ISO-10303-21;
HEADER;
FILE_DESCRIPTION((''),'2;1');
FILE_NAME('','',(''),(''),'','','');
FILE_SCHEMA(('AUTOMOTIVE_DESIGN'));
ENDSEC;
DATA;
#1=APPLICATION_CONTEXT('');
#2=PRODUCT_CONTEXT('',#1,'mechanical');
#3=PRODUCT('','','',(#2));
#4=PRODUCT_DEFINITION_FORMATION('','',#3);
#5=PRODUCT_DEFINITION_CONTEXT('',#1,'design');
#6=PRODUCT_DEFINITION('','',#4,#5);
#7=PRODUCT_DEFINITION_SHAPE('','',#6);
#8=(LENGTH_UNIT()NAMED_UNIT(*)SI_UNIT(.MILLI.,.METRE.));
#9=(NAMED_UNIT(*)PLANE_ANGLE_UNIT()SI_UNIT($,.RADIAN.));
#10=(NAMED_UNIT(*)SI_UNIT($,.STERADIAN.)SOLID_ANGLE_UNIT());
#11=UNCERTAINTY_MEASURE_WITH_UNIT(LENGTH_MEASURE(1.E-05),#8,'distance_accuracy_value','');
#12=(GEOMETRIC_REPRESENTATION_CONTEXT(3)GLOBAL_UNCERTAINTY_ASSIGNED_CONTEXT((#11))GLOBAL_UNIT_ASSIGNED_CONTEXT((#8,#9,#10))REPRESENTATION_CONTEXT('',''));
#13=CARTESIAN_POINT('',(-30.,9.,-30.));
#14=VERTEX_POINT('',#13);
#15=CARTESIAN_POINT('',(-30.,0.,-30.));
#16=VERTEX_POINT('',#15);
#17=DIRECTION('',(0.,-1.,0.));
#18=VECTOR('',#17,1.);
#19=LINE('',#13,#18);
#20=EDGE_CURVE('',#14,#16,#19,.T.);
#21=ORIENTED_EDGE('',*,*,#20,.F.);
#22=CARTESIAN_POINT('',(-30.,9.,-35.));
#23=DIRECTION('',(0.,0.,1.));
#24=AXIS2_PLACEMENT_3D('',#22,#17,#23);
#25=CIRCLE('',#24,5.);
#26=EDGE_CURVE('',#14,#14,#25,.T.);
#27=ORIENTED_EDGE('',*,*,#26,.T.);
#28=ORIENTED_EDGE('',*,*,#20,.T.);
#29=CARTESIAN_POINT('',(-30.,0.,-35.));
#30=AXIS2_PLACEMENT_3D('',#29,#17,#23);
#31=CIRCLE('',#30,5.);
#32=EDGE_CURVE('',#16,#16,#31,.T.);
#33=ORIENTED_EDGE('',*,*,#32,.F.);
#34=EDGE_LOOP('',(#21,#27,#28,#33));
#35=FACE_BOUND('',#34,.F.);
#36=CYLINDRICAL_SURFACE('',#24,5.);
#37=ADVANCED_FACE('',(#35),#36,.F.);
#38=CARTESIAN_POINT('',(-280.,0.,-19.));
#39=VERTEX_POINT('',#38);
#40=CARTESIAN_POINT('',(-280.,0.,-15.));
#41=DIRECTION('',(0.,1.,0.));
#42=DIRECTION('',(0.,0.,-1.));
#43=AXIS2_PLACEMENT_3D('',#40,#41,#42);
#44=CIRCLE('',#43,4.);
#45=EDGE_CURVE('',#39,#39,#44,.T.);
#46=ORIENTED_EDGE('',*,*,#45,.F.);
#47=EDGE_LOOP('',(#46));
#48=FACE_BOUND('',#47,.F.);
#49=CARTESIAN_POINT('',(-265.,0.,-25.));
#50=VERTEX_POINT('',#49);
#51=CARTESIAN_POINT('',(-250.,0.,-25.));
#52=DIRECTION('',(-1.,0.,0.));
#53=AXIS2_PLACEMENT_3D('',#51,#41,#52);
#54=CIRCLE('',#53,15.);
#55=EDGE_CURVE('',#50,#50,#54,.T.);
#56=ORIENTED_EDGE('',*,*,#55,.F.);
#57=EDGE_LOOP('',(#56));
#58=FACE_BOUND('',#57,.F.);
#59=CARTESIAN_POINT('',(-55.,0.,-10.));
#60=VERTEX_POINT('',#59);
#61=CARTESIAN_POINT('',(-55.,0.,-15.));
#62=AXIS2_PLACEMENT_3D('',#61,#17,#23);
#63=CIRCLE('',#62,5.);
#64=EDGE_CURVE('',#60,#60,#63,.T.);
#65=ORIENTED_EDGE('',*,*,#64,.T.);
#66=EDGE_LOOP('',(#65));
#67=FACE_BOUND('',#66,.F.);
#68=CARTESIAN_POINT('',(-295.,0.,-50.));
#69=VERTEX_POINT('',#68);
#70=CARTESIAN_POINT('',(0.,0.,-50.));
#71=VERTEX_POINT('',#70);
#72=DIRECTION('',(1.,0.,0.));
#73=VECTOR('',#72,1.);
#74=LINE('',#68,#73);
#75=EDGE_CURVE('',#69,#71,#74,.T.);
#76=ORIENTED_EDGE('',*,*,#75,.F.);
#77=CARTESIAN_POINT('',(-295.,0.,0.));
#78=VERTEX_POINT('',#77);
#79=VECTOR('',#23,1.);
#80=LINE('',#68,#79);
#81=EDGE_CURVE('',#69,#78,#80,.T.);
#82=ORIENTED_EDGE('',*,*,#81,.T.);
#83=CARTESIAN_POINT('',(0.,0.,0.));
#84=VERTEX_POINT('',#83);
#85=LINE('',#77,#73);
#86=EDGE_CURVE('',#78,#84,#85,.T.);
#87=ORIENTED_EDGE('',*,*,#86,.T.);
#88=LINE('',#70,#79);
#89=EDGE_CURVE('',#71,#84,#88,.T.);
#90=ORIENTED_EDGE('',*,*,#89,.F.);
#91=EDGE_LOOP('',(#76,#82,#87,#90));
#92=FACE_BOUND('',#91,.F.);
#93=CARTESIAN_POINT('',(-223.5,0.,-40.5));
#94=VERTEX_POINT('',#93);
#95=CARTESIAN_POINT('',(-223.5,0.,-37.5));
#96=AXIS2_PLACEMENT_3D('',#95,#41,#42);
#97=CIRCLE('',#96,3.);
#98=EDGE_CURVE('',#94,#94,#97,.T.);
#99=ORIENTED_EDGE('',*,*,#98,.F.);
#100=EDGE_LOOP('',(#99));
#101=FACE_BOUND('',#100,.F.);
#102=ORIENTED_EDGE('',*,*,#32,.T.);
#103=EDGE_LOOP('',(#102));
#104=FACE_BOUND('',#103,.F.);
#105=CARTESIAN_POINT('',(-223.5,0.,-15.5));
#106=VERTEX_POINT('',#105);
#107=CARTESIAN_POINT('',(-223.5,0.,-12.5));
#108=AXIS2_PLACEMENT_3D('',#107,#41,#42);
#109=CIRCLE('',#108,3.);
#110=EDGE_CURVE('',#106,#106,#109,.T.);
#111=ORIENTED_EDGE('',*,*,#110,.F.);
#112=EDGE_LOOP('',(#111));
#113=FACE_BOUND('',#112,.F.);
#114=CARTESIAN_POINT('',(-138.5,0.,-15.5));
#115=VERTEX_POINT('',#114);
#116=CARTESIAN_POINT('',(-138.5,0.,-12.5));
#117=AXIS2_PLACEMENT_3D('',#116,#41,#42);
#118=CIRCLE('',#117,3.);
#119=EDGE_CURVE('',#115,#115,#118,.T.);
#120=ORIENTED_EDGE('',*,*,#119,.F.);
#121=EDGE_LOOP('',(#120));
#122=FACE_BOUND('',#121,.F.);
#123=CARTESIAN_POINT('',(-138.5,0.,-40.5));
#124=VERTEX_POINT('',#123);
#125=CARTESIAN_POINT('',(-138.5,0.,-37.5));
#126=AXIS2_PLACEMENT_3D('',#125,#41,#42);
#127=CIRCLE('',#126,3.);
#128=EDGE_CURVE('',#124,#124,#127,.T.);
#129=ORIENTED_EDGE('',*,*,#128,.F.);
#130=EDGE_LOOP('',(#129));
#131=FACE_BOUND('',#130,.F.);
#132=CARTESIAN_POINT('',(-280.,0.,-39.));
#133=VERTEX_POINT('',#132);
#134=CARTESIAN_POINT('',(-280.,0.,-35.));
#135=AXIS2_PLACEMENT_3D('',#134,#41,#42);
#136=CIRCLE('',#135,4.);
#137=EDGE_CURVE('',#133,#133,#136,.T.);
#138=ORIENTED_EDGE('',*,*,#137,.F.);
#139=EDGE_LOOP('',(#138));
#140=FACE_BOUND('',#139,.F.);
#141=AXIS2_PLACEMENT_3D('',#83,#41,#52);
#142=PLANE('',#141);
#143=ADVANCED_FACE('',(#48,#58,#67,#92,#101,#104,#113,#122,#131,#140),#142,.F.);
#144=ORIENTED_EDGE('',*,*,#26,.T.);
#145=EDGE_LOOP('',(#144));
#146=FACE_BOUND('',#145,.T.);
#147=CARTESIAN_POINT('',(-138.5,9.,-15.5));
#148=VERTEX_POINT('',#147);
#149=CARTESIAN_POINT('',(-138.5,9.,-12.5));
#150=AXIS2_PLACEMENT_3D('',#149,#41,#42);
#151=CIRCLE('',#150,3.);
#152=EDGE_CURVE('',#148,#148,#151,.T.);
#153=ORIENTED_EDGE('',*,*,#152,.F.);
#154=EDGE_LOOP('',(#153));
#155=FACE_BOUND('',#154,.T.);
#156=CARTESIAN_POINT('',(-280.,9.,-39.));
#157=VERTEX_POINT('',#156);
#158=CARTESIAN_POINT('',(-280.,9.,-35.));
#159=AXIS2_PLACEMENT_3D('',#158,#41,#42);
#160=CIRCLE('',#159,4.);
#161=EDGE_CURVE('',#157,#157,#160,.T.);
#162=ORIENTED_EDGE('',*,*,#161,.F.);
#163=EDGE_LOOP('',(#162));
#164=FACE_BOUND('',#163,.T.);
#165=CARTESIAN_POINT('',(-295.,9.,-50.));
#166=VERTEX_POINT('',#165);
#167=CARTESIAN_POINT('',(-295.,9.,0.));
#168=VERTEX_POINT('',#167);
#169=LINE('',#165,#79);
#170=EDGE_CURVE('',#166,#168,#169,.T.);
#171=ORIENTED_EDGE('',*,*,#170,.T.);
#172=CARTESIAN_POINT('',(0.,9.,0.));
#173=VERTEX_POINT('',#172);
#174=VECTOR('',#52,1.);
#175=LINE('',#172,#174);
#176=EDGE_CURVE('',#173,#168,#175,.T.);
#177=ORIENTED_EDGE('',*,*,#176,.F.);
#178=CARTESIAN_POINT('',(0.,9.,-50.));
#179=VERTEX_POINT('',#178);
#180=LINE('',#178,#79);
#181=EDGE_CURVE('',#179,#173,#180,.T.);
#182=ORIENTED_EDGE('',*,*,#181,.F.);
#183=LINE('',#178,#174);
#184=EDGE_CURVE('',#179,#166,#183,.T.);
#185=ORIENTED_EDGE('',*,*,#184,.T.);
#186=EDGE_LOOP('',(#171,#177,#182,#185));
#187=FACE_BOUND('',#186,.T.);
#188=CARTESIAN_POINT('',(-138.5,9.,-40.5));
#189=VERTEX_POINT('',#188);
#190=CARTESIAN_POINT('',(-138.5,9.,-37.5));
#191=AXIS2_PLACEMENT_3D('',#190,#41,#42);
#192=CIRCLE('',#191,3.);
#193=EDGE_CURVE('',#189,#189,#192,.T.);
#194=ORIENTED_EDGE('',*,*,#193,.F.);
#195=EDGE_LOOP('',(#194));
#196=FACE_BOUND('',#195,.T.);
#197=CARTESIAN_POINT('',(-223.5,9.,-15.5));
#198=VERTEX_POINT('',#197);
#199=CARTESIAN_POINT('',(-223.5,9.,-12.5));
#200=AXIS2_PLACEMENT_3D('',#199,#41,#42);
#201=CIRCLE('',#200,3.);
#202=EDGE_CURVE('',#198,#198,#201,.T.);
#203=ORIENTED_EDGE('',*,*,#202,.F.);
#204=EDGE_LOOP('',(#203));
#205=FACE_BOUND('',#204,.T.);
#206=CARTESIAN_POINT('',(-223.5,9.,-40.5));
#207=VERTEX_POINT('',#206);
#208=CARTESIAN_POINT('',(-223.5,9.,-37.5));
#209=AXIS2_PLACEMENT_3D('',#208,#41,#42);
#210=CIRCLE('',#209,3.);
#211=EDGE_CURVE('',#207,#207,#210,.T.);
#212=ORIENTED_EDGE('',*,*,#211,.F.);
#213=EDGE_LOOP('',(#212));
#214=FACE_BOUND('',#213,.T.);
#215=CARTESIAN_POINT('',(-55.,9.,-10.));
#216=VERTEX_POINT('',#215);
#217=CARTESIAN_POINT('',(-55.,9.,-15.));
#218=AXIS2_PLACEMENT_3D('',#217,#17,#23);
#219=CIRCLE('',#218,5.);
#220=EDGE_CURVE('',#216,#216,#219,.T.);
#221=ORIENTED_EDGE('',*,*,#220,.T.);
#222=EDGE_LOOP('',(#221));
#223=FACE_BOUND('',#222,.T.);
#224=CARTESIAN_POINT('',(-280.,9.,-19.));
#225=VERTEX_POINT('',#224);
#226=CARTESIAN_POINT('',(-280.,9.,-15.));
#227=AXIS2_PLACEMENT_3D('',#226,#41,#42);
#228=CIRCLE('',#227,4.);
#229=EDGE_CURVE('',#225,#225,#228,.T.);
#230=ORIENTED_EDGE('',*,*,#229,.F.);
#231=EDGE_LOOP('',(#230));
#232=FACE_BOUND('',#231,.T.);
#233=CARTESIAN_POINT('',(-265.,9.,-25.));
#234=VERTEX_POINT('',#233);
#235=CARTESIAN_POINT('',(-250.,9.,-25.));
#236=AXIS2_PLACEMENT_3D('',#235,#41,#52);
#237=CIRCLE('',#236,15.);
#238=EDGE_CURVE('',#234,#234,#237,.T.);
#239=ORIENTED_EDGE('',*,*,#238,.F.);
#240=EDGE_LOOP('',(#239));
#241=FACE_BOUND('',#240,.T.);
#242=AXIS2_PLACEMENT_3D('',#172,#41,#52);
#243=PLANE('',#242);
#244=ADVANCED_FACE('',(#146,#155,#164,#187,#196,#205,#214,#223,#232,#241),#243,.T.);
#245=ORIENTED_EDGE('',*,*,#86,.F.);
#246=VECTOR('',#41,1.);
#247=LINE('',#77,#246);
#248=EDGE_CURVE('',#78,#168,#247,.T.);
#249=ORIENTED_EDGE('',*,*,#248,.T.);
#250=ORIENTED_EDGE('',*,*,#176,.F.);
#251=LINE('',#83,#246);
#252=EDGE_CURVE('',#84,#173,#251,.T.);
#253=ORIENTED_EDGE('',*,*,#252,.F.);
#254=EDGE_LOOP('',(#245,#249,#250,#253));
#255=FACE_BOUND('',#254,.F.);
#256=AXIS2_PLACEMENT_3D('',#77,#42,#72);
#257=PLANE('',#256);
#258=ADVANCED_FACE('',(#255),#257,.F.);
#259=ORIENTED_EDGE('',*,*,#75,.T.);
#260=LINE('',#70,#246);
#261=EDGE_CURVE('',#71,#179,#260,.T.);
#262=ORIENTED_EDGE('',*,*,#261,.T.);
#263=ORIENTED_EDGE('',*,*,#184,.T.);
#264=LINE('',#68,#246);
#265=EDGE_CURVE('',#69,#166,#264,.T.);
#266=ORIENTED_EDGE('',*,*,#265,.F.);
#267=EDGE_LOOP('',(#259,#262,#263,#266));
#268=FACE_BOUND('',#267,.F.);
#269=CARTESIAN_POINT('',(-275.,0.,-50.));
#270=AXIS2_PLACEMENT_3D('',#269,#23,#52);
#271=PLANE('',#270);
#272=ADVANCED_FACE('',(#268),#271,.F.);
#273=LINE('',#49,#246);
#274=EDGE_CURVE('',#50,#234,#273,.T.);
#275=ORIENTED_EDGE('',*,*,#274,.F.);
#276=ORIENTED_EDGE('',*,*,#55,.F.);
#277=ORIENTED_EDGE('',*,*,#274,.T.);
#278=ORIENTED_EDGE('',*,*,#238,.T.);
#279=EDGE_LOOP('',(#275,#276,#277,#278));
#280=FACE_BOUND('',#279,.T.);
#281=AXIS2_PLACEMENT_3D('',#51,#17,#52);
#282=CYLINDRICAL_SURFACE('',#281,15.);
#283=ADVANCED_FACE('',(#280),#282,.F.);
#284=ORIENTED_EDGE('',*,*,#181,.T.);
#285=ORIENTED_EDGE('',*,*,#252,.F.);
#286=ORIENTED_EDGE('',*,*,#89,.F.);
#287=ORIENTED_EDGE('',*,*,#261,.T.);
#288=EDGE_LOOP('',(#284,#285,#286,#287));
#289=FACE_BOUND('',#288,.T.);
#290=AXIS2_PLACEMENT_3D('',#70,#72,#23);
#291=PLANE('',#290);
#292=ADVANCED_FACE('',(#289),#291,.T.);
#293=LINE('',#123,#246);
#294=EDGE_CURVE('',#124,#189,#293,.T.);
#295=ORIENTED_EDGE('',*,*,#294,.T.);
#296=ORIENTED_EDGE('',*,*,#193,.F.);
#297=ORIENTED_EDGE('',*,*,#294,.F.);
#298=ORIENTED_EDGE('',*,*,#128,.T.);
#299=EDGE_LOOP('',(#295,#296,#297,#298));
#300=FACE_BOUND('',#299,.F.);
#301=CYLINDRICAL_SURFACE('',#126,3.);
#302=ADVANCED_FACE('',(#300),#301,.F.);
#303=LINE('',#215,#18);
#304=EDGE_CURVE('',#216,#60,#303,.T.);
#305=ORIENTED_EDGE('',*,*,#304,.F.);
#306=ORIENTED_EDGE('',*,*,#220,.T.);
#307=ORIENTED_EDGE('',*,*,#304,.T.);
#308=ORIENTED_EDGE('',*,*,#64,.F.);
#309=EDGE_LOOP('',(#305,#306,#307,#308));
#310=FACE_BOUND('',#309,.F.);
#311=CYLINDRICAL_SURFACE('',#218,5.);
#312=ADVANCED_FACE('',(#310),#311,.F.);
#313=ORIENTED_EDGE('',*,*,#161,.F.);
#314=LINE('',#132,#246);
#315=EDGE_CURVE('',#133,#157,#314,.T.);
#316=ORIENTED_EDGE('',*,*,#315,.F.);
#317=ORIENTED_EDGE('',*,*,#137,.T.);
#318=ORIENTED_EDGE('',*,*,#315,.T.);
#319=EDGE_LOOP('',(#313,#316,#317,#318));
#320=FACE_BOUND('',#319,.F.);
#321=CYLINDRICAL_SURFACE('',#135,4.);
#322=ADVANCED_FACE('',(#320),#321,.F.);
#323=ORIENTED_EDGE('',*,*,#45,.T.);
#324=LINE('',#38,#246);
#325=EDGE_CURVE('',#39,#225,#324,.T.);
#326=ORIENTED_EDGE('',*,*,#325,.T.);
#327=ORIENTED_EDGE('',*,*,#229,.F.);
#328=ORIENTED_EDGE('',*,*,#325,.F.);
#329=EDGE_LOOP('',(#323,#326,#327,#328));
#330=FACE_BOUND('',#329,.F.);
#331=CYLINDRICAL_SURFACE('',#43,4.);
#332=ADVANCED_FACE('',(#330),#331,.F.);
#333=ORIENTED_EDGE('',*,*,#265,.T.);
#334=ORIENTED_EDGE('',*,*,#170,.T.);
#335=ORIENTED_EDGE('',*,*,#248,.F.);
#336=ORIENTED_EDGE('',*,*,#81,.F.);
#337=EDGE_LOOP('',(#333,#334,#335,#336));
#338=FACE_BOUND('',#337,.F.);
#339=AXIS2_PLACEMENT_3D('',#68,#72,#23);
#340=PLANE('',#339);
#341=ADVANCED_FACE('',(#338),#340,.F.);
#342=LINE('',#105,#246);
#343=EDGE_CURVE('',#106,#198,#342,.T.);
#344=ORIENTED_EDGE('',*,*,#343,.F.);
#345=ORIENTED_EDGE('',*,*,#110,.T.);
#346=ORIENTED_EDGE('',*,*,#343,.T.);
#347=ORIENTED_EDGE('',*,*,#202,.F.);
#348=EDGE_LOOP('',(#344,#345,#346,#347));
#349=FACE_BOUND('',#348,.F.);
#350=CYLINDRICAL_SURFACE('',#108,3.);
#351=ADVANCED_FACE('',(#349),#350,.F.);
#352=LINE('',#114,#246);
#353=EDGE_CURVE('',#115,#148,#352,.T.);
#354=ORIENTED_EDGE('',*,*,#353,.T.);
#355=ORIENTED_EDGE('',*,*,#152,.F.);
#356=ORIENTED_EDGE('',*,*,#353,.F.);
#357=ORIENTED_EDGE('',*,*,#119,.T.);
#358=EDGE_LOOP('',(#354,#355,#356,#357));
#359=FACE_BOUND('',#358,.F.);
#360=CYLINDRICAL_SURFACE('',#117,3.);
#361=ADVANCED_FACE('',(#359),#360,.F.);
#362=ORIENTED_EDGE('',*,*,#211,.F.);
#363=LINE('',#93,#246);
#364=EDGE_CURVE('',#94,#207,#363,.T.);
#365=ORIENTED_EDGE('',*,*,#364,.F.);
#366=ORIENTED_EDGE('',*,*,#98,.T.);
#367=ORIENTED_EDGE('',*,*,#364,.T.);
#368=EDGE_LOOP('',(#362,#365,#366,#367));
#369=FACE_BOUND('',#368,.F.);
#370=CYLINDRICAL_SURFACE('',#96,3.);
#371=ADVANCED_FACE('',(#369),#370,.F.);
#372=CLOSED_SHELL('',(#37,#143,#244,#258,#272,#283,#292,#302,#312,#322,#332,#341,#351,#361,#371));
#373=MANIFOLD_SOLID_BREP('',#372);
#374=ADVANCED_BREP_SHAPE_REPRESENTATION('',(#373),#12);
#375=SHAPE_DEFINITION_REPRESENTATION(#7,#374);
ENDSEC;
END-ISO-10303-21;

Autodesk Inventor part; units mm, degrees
ref_plane "YZ Plane" through (0, 0, 0) normal (1, 0, 0) x (0, 1, 0)
ref_plane "XZ Plane" through (0, 0, 0) normal (0, 1, 0) x (-1, 0, 0)
ref_plane "XY Plane" through (0, 0, 0) normal (0, 0, 1) x (1, 0, 0)
sketch "Skizze1" plane through (0, 0, 0) normal (0, 1, 0) x (-1, 0, 0)
  line L0 (0, 0) -> (275, 0)
  line L1 (275, 0) -> (275, -50)
  line L2 (275, -50) -> (0, -50)
  line L3 (0, -50) -> (0, 0)
  line L4 (275, 0) -> (275, -25)
  line L5 (275, -25) -> (250, -25)
  circle A0 centre (250, -25) radius 15
  line L6 (275, -50) -> (295, -50)
  line L7 (295, -50) -> (295, 0)
  line L8 (295, 0) -> (275, 0)
  dimension "d0" = 275
  dimension "d1" = 50
  dimension "d2" = 25
  dimension "d3" = 30
  dimension "d18" = 20
extrude "Extrusion1" add sketch "Skizze1" along normal blind 9 contours L0 L1 L2 L3
sketch "Skizze2" plane through (0, 9, 0) normal (0, 1, 0) x (1, 0, 0)
  line L0 (0, 0) -> (0, 50) projected
  line L1 (0, 50) -> (-30, 50)
  line L2 (-30, 50) -> (-30, 35)
  line L3 (0, 0) -> (-55, 0)
  line L4 (-275, 0) -> (0, 0) projected
  line L5 (-55, 0) -> (-70, 0)
  line L6 (-70, 0) -> (-55, 0)
  line L7 (-55, 0) -> (-55, 15)
  dimension "d6" = 30
  dimension "d7" = 15
  dimension "d8" = 55
  dimension "d9" = 15
  dimension "d10" = 15
hole "Bohrung1" at (-55, 9, -15) at (-30, 9, -35) direction (0, -1, 0) diameter 10 depth 10 tip angle 118
extrude "Extrusion2" add sketch "Skizze1" along normal blind 9 contours L8 L7 L6 L1
sketch "Skizze3" plane through (0, 0, 0) normal (0, -1, 0) x (1, 0, 0)
  line L0 (0, -50) -> (-295, -50) projected
  line L1 (-295, -50) -> (-280, -50)
  line L2 (-280, -50) -> (-280, -35)
  line L3 (-280, -35) -> (-280, -15)
  line L4 (-280, -15) -> (-280, 0)
  line L5 (-295, 0) -> (0, 0) projected
  dimension "d21" = 15
  dimension "d22" = 15
  dimension "d23" = 20
hole "Bohrung2" at (-280, 0, -15) at (-280, 0, -35) direction (0, 1, 0) diameter 8 depth 9 tip angle 118
sketch "Skizze4" plane through (0, 0, 0) normal (0, -1, 0) x (1, 0, 0)
  circle A0 centre (-250, -25) radius 15 projected
  line L0 (-250, -25) -> (-223.5, -25)
  line L1 (-223.5, -25) -> (-223.5, -37.5)
  line L2 (-223.5, -37.5) -> (-223.5, -12.5)
  line L3 (-223.5, -12.5) -> (-223.5, -25)
  line L4 (-223.5, -25) -> (-138.5, -25)
  line L5 (-138.5, -25) -> (-138.5, -37.5)
  line L6 (-138.5, -37.5) -> (-138.5, -12.5)
  point P0 (0, 0)
  dimension "d31" = 26.5
  dimension "d32" = 12.5
  dimension "d33" = 25
  dimension "d34" = 85
  dimension "d35" = 12.5
  dimension "d36" = 25
hole "Bohrung3" at (-223.5, 0, -12.5) at (-223.5, 0, -37.5) at (-138.5, 0, -37.5) at (-138.5, 0, -12.5) direction (0, 1, 0) diameter 6 end through all
properties part number "Lagerstuetze" material "Holz (Birke)"
